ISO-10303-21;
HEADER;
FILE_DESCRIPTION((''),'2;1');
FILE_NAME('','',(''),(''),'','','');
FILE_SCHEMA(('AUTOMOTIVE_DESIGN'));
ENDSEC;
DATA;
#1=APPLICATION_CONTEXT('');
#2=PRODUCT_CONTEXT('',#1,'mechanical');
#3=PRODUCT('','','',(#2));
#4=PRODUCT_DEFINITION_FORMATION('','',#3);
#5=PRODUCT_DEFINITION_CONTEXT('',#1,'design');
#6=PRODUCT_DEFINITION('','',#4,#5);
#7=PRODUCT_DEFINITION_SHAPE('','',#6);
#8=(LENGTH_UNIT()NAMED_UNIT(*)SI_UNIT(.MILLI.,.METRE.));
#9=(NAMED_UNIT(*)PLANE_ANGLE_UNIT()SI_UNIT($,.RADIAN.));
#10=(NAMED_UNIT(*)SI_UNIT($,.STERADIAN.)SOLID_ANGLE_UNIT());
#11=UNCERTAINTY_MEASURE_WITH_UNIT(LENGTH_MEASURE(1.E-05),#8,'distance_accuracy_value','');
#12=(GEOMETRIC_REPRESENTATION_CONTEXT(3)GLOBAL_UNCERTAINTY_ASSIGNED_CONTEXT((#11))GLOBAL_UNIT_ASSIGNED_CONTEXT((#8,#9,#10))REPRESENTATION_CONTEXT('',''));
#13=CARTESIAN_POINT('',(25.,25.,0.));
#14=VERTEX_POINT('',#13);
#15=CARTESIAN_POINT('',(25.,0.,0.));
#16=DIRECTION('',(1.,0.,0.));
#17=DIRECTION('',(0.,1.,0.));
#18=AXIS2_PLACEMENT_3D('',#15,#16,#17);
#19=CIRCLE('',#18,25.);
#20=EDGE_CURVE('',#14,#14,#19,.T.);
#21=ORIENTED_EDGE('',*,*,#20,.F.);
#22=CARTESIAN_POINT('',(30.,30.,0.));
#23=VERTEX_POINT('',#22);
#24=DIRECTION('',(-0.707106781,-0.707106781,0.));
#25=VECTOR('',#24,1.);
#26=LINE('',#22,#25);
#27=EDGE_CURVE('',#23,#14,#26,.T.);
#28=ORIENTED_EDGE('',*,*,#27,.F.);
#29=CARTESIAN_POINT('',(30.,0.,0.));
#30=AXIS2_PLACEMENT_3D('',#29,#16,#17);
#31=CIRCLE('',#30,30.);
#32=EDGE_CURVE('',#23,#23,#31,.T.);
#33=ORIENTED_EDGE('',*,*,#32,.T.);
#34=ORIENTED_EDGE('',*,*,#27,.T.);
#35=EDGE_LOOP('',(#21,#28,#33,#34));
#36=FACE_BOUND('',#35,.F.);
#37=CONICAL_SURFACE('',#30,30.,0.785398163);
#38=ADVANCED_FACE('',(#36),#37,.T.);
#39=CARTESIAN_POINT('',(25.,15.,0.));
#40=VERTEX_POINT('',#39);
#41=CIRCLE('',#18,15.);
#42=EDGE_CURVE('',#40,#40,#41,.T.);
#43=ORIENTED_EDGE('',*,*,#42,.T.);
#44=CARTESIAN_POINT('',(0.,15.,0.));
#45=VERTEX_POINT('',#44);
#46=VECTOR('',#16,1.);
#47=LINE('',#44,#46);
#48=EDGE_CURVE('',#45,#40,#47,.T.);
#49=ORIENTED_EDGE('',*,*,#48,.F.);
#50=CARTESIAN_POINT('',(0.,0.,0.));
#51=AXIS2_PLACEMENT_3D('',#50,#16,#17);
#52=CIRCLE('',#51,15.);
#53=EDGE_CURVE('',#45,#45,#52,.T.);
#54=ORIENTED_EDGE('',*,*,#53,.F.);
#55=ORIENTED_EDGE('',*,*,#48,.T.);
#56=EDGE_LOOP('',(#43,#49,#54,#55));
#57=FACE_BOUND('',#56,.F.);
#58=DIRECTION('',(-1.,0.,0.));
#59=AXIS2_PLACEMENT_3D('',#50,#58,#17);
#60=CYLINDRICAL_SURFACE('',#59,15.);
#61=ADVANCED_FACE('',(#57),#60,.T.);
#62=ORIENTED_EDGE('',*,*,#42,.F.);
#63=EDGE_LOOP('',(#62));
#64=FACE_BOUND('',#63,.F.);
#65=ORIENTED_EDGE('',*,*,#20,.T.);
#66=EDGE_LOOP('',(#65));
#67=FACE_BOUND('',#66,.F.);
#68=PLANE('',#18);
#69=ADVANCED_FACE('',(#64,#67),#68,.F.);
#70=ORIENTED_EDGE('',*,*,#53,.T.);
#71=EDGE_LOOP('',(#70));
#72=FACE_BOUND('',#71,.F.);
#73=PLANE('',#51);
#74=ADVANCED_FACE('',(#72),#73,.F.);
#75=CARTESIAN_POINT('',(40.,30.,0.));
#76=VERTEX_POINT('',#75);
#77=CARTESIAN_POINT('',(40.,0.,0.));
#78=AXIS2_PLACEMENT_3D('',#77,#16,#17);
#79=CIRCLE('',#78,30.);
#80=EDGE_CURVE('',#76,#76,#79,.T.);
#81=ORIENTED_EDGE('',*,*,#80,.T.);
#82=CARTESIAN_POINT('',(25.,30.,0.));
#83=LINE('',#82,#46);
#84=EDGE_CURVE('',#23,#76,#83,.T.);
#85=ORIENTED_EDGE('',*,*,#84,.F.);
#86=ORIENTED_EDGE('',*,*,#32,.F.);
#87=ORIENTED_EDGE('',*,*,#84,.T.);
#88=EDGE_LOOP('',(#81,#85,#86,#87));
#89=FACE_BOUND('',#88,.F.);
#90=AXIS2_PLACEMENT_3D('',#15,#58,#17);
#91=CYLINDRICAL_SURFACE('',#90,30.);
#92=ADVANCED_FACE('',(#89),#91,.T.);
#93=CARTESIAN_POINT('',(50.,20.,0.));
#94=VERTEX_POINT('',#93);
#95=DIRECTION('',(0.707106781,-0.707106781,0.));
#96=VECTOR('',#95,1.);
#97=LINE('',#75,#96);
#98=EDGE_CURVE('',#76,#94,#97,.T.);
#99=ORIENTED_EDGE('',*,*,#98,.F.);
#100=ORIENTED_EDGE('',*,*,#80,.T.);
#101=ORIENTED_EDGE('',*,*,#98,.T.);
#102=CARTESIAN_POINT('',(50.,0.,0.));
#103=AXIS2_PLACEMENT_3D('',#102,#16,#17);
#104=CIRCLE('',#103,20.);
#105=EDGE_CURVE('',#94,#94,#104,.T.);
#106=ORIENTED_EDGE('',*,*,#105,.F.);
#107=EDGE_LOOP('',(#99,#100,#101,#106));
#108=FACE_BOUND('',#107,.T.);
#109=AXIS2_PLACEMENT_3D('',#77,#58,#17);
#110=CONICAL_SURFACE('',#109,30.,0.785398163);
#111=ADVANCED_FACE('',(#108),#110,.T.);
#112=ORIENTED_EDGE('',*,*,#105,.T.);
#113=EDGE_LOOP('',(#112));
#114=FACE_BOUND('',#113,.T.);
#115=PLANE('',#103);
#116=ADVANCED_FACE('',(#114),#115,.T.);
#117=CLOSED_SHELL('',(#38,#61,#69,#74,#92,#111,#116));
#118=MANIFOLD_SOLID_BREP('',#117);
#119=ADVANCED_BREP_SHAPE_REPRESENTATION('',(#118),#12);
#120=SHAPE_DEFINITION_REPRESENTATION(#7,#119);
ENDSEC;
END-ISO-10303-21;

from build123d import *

# Parameters (mm, degrees)
F0_R     = 15
F4_DEPTH = 25
F1_R     = 30
F5_DEPTH = 25
F2_SIZE  = 10
F3_SIZE  = 5


with BuildPart() as f4:
    # F0 (on Right) → F4 (new body)
    with BuildSketch(Plane.YZ):
        Circle(F0_R)
    extrude(amount=F4_DEPTH)

    # F1 (on face) → F5 (join)
    with BuildSketch(Plane.YZ.offset(25)):
        Circle(F1_R)
    extrude(amount=F5_DEPTH)

    # F2
    f2_edges = [f4.edges().sort_by_distance(p)[0] for p in [
        (50, -30, 0),
    ]]
    chamfer(f2_edges, length=F2_SIZE)

    # F3
    f3_edges = [f4.edges().sort_by_distance(p)[0] for p in [
        (25, -30, 0),
    ]]
    chamfer(f3_edges, length=F3_SIZE)


solid = f4.part
